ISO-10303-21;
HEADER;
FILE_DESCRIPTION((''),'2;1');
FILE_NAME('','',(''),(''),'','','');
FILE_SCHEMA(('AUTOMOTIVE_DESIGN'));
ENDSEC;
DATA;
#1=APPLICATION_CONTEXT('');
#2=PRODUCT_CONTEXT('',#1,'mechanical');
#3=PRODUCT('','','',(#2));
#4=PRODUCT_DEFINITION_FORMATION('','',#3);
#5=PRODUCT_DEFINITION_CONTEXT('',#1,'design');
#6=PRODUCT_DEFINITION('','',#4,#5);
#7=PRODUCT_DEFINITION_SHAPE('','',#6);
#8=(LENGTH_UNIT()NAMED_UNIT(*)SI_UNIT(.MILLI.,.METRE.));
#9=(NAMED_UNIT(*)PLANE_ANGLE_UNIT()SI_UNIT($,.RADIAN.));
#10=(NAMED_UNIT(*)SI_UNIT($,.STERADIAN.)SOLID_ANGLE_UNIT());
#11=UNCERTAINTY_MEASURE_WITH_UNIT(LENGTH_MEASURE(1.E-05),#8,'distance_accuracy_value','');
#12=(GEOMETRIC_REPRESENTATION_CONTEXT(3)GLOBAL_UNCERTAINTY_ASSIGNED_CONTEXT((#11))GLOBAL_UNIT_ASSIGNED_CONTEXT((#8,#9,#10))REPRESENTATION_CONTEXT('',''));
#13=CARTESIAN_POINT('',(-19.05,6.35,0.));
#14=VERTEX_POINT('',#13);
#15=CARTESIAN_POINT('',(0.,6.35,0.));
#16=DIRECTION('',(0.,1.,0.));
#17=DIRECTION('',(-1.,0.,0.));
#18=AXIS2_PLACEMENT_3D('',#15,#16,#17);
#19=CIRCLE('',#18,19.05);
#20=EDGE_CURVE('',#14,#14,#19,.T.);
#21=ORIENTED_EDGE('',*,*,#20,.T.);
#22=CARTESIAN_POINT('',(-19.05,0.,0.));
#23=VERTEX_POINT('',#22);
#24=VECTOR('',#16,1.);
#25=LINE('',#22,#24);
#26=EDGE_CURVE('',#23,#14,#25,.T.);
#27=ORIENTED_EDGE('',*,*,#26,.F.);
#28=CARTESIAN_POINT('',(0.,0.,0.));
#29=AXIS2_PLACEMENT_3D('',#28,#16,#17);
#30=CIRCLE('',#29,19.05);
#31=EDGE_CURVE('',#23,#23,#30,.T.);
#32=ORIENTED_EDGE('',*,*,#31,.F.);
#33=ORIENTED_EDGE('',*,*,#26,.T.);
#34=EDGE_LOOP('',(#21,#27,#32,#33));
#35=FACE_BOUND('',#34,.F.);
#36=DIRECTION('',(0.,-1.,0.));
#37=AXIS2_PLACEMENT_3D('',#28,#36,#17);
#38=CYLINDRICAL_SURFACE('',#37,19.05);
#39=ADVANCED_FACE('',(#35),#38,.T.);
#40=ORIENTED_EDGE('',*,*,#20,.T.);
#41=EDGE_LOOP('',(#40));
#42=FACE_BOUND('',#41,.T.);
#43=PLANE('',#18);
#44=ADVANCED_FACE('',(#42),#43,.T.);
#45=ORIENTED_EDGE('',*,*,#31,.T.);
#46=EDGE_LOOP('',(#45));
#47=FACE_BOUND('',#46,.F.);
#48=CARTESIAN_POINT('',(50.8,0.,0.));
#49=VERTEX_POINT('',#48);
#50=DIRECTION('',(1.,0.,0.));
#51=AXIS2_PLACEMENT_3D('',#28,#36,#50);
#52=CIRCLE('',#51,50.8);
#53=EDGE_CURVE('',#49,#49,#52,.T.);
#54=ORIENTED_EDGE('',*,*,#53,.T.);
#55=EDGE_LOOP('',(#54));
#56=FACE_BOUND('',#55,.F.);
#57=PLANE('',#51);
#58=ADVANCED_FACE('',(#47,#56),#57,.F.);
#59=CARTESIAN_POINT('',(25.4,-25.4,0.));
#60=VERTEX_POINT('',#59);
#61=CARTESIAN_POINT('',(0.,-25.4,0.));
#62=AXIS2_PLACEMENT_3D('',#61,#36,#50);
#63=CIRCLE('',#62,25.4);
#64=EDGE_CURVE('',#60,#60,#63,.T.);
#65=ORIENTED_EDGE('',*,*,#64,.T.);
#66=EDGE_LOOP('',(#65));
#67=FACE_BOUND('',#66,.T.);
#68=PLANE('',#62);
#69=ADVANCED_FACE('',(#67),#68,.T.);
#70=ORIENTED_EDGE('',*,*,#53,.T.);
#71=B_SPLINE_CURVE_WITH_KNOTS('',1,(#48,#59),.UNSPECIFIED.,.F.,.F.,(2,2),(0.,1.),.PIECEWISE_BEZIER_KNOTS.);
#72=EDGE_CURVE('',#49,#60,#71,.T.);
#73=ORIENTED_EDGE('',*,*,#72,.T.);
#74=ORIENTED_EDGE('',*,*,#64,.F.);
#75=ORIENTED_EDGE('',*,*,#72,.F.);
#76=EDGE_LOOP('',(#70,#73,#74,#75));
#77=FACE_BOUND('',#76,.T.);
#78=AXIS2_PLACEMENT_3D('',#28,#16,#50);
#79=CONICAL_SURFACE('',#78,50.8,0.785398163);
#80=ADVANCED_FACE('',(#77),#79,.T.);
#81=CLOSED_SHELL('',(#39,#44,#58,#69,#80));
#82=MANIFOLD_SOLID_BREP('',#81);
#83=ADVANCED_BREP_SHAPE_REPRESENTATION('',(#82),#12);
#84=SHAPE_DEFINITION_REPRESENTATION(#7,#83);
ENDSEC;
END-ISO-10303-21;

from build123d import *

# Parameters (mm, degrees)
F0_R     = 50.8
F2_R     = 25.4
F4_R     = 19.05
F5_DEPTH = 6.35


with BuildPart() as f3:
    # F0 (on Front) → F3 section 0
    with BuildSketch(Plane.XZ):
        Circle(F0_R)
    # F2 (on offset) → F3 section 1
    with BuildSketch(Plane.XZ.offset(25.4)):
        Circle(F2_R)
    loft()

    # F4 (on face) → F5 (join)
    with BuildSketch(Plane(origin=(0, 0, 0), x_dir=(-1, 0, 0), z_dir=(0, 1, 0))):
        Circle(F4_R)
    extrude(amount=F5_DEPTH)


solid = f3.part
